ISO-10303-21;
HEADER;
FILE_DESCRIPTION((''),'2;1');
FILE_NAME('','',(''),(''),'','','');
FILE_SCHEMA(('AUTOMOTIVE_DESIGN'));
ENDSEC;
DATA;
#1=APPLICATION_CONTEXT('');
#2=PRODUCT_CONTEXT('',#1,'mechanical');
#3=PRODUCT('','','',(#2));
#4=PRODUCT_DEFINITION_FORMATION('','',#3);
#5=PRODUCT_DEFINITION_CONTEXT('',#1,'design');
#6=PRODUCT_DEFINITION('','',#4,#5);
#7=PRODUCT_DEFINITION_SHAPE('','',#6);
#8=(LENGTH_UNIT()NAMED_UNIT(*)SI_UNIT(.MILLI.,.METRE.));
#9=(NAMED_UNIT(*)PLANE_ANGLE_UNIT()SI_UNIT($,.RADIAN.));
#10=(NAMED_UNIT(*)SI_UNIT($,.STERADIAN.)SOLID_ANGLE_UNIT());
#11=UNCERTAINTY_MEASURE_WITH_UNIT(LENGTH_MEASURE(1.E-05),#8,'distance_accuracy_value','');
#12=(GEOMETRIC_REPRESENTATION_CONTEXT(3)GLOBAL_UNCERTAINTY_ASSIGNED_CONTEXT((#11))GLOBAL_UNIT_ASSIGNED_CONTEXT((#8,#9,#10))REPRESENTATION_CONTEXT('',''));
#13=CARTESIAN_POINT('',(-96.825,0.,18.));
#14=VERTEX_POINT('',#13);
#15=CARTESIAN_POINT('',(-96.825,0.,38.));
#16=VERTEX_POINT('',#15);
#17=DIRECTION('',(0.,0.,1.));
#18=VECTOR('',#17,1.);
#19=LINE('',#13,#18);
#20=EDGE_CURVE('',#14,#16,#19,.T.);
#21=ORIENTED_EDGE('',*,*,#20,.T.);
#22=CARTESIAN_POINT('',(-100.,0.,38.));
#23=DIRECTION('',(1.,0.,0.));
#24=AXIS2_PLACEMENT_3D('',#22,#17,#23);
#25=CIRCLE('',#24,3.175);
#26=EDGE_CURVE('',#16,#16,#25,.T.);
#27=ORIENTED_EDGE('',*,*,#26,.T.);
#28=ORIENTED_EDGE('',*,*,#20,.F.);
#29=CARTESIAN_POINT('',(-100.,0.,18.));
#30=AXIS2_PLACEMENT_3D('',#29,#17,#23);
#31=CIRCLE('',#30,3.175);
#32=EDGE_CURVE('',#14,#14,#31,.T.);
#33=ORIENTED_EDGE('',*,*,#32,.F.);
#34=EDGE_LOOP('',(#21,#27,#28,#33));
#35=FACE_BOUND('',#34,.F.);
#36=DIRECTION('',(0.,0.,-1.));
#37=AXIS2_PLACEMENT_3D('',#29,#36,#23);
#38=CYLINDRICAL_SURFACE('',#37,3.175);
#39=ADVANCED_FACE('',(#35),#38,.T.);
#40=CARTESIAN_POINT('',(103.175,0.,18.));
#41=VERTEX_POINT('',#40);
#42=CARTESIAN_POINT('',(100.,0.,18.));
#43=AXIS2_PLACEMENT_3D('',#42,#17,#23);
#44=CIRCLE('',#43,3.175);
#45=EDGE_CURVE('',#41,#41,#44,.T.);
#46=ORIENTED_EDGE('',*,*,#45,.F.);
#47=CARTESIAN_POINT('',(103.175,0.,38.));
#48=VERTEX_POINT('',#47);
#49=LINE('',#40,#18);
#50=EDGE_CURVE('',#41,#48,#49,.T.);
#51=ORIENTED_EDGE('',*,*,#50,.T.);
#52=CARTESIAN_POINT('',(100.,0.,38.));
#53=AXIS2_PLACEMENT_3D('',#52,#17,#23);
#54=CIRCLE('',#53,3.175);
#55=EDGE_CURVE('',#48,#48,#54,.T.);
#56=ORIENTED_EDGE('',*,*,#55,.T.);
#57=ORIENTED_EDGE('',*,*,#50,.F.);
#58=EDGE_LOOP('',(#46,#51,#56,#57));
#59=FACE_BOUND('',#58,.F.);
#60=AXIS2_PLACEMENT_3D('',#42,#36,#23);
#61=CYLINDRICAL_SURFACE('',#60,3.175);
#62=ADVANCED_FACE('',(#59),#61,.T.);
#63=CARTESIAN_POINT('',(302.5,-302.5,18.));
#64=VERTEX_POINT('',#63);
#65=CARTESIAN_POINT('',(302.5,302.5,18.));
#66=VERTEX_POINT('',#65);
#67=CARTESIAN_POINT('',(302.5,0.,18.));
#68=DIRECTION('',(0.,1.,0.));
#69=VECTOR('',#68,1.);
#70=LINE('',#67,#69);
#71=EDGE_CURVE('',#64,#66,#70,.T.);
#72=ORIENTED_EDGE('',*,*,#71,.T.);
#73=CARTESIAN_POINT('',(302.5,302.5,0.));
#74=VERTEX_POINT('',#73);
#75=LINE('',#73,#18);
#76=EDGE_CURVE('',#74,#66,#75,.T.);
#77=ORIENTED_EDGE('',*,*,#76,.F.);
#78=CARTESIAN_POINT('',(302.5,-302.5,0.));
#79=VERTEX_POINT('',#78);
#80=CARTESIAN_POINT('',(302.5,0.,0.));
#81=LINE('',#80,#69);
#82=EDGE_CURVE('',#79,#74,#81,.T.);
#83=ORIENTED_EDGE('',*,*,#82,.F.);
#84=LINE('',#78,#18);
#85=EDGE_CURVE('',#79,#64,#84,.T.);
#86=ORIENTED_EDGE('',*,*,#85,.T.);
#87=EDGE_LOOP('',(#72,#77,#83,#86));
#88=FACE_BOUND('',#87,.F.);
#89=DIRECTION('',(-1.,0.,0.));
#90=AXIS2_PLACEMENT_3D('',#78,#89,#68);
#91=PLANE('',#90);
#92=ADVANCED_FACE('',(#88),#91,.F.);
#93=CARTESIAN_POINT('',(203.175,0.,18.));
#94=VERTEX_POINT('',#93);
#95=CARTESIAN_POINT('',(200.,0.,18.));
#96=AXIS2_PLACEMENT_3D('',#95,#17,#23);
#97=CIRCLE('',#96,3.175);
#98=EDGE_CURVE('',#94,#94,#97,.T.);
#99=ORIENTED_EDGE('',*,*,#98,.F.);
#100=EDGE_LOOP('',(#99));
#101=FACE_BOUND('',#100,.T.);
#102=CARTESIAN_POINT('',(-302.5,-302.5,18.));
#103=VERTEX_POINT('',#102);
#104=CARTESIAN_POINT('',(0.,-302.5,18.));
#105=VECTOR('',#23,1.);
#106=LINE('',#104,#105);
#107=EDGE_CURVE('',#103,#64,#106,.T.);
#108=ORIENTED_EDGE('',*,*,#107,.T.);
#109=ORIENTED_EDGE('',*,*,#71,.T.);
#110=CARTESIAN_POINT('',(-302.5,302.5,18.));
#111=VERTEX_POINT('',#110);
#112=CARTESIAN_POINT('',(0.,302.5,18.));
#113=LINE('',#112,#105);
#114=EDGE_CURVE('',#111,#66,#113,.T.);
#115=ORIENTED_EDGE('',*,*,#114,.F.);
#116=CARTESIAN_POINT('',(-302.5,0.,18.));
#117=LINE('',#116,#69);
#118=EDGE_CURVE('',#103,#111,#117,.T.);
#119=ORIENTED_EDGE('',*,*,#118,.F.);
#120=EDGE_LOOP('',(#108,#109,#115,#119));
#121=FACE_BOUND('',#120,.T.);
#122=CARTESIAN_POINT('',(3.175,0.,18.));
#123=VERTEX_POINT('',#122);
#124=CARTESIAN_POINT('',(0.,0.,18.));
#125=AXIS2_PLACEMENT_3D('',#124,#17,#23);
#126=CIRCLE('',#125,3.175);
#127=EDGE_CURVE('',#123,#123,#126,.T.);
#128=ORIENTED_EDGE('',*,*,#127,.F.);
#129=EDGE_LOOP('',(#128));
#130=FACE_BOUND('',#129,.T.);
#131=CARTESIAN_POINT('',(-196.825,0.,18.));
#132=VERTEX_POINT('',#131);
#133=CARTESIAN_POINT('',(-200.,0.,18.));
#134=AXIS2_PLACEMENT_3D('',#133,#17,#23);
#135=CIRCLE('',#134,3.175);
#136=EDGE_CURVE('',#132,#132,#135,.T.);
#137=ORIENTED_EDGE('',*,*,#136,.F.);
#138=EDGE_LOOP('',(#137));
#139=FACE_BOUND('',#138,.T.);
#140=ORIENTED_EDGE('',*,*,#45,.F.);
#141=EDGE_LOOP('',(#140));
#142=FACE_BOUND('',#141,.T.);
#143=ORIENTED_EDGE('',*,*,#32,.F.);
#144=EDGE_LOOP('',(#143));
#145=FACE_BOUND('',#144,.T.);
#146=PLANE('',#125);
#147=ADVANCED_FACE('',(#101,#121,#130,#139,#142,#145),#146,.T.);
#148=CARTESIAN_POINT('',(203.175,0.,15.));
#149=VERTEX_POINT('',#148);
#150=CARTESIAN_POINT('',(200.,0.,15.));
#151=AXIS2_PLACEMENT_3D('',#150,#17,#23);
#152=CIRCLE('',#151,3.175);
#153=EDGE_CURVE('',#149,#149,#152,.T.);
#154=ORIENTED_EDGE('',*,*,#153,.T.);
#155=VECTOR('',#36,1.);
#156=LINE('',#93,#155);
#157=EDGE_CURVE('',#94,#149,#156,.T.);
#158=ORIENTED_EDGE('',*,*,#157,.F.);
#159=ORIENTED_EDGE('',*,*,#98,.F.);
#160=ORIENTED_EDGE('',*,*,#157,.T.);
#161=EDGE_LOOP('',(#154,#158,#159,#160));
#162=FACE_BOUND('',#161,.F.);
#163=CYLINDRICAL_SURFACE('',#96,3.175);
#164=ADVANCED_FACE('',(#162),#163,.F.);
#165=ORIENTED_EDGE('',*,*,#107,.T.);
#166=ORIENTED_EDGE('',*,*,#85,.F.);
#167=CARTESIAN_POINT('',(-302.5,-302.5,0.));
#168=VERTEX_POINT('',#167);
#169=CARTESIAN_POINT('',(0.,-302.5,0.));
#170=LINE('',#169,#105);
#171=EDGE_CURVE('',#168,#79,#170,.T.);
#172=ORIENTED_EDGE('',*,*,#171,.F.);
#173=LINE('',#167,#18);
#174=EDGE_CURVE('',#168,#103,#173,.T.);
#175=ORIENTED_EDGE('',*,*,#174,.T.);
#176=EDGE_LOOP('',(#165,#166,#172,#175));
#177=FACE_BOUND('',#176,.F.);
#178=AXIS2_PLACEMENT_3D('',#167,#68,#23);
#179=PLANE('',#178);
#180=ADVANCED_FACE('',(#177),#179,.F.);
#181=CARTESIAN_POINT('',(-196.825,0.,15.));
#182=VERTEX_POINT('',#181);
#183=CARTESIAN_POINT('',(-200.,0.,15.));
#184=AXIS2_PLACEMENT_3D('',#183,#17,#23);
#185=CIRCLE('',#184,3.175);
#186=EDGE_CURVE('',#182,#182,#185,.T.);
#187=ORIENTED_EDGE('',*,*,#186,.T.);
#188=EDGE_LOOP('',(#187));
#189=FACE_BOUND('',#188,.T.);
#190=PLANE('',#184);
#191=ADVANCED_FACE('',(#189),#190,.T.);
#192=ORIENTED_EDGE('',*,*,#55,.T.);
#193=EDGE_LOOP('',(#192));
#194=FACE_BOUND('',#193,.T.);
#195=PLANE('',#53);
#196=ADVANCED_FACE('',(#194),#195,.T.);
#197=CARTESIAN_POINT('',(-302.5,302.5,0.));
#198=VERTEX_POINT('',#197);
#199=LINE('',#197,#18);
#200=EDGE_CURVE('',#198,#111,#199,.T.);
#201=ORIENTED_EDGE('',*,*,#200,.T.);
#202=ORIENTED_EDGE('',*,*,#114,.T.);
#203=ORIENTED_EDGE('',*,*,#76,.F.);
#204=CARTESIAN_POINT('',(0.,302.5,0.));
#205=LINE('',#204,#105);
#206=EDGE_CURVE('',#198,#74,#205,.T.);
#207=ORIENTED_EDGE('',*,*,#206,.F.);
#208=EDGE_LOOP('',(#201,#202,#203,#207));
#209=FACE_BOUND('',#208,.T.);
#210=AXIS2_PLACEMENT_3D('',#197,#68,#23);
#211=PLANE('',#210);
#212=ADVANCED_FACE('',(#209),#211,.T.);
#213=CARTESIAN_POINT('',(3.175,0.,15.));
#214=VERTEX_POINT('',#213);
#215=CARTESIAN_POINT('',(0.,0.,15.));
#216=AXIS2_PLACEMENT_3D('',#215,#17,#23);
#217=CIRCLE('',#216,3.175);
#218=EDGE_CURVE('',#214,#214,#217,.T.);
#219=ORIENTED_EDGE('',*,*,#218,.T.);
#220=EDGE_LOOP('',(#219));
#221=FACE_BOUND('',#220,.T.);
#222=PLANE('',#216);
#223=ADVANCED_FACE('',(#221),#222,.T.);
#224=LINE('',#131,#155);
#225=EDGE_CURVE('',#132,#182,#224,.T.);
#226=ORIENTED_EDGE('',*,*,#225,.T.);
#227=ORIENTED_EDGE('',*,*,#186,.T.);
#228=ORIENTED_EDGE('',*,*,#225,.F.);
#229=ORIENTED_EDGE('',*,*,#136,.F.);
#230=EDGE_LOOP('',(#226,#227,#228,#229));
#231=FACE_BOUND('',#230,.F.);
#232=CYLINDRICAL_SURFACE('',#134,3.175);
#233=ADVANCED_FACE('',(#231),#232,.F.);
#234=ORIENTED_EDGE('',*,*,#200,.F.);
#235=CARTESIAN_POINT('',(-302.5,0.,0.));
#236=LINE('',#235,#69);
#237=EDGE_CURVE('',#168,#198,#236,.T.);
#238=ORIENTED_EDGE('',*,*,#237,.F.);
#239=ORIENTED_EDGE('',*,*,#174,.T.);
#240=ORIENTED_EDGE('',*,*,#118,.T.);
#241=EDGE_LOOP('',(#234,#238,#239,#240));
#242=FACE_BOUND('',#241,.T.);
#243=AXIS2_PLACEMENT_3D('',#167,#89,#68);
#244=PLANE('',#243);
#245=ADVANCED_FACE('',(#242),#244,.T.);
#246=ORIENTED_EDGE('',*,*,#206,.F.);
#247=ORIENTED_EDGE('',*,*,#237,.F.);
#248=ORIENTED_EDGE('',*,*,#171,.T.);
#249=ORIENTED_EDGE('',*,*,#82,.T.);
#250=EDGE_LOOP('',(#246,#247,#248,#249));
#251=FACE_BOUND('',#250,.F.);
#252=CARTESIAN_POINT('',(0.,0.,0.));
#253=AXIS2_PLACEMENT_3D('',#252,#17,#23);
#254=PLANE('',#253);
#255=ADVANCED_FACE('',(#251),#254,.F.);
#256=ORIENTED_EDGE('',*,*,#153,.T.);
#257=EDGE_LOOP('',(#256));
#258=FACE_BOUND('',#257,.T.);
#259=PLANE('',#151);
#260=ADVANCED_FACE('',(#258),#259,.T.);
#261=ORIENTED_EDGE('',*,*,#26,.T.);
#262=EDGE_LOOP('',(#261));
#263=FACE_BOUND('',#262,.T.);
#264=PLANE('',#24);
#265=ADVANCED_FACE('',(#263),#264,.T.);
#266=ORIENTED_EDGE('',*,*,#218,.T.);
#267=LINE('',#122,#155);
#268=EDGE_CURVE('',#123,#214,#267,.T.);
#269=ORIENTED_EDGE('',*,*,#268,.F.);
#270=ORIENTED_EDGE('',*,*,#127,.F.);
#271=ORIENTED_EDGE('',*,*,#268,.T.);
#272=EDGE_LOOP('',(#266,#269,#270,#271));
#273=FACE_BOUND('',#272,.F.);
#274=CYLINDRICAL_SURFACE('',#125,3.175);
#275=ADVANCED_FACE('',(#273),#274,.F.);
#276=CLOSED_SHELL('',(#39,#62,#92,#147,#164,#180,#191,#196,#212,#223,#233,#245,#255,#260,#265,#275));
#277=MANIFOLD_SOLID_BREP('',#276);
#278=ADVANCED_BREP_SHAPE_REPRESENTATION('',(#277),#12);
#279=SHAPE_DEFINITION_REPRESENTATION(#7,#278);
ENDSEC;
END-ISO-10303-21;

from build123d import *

# Parameters (mm, degrees)
SKETCH_W     = 605
SKETCH_H     = 605
PAD_DEPTH    = 18
SKETCH001_R  = 3.175
PAD001_DEPTH = 20
SKETCH002_R  = 3.175
POCKET_DEPTH = 3


with BuildPart() as part:
    # Sketch → Pad (new body)
    with BuildSketch(Plane.XY):
        Rectangle(SKETCH_W, SKETCH_H)
    extrude(amount=PAD_DEPTH)

    # Sketch001 (on Face6 of Pad) → Pad001 (join)
    with BuildSketch(Plane.XY.offset(18)):
        with Locations((-100, 0)):
            Circle(SKETCH001_R)
        with Locations((100, 0)):
            Circle(SKETCH001_R)
    extrude(amount=PAD001_DEPTH)

    # Sketch002 (on Face5 of Pad001) → Pocket (cut)
    with BuildSketch(Plane.XY.offset(18)):
        with Locations((-200, 0)):
            Circle(SKETCH002_R)
        Circle(SKETCH002_R)
        with Locations((200, 0)):
            Circle(SKETCH002_R)
    extrude(amount=-POCKET_DEPTH, mode=Mode.SUBTRACT)


solid = part.part
